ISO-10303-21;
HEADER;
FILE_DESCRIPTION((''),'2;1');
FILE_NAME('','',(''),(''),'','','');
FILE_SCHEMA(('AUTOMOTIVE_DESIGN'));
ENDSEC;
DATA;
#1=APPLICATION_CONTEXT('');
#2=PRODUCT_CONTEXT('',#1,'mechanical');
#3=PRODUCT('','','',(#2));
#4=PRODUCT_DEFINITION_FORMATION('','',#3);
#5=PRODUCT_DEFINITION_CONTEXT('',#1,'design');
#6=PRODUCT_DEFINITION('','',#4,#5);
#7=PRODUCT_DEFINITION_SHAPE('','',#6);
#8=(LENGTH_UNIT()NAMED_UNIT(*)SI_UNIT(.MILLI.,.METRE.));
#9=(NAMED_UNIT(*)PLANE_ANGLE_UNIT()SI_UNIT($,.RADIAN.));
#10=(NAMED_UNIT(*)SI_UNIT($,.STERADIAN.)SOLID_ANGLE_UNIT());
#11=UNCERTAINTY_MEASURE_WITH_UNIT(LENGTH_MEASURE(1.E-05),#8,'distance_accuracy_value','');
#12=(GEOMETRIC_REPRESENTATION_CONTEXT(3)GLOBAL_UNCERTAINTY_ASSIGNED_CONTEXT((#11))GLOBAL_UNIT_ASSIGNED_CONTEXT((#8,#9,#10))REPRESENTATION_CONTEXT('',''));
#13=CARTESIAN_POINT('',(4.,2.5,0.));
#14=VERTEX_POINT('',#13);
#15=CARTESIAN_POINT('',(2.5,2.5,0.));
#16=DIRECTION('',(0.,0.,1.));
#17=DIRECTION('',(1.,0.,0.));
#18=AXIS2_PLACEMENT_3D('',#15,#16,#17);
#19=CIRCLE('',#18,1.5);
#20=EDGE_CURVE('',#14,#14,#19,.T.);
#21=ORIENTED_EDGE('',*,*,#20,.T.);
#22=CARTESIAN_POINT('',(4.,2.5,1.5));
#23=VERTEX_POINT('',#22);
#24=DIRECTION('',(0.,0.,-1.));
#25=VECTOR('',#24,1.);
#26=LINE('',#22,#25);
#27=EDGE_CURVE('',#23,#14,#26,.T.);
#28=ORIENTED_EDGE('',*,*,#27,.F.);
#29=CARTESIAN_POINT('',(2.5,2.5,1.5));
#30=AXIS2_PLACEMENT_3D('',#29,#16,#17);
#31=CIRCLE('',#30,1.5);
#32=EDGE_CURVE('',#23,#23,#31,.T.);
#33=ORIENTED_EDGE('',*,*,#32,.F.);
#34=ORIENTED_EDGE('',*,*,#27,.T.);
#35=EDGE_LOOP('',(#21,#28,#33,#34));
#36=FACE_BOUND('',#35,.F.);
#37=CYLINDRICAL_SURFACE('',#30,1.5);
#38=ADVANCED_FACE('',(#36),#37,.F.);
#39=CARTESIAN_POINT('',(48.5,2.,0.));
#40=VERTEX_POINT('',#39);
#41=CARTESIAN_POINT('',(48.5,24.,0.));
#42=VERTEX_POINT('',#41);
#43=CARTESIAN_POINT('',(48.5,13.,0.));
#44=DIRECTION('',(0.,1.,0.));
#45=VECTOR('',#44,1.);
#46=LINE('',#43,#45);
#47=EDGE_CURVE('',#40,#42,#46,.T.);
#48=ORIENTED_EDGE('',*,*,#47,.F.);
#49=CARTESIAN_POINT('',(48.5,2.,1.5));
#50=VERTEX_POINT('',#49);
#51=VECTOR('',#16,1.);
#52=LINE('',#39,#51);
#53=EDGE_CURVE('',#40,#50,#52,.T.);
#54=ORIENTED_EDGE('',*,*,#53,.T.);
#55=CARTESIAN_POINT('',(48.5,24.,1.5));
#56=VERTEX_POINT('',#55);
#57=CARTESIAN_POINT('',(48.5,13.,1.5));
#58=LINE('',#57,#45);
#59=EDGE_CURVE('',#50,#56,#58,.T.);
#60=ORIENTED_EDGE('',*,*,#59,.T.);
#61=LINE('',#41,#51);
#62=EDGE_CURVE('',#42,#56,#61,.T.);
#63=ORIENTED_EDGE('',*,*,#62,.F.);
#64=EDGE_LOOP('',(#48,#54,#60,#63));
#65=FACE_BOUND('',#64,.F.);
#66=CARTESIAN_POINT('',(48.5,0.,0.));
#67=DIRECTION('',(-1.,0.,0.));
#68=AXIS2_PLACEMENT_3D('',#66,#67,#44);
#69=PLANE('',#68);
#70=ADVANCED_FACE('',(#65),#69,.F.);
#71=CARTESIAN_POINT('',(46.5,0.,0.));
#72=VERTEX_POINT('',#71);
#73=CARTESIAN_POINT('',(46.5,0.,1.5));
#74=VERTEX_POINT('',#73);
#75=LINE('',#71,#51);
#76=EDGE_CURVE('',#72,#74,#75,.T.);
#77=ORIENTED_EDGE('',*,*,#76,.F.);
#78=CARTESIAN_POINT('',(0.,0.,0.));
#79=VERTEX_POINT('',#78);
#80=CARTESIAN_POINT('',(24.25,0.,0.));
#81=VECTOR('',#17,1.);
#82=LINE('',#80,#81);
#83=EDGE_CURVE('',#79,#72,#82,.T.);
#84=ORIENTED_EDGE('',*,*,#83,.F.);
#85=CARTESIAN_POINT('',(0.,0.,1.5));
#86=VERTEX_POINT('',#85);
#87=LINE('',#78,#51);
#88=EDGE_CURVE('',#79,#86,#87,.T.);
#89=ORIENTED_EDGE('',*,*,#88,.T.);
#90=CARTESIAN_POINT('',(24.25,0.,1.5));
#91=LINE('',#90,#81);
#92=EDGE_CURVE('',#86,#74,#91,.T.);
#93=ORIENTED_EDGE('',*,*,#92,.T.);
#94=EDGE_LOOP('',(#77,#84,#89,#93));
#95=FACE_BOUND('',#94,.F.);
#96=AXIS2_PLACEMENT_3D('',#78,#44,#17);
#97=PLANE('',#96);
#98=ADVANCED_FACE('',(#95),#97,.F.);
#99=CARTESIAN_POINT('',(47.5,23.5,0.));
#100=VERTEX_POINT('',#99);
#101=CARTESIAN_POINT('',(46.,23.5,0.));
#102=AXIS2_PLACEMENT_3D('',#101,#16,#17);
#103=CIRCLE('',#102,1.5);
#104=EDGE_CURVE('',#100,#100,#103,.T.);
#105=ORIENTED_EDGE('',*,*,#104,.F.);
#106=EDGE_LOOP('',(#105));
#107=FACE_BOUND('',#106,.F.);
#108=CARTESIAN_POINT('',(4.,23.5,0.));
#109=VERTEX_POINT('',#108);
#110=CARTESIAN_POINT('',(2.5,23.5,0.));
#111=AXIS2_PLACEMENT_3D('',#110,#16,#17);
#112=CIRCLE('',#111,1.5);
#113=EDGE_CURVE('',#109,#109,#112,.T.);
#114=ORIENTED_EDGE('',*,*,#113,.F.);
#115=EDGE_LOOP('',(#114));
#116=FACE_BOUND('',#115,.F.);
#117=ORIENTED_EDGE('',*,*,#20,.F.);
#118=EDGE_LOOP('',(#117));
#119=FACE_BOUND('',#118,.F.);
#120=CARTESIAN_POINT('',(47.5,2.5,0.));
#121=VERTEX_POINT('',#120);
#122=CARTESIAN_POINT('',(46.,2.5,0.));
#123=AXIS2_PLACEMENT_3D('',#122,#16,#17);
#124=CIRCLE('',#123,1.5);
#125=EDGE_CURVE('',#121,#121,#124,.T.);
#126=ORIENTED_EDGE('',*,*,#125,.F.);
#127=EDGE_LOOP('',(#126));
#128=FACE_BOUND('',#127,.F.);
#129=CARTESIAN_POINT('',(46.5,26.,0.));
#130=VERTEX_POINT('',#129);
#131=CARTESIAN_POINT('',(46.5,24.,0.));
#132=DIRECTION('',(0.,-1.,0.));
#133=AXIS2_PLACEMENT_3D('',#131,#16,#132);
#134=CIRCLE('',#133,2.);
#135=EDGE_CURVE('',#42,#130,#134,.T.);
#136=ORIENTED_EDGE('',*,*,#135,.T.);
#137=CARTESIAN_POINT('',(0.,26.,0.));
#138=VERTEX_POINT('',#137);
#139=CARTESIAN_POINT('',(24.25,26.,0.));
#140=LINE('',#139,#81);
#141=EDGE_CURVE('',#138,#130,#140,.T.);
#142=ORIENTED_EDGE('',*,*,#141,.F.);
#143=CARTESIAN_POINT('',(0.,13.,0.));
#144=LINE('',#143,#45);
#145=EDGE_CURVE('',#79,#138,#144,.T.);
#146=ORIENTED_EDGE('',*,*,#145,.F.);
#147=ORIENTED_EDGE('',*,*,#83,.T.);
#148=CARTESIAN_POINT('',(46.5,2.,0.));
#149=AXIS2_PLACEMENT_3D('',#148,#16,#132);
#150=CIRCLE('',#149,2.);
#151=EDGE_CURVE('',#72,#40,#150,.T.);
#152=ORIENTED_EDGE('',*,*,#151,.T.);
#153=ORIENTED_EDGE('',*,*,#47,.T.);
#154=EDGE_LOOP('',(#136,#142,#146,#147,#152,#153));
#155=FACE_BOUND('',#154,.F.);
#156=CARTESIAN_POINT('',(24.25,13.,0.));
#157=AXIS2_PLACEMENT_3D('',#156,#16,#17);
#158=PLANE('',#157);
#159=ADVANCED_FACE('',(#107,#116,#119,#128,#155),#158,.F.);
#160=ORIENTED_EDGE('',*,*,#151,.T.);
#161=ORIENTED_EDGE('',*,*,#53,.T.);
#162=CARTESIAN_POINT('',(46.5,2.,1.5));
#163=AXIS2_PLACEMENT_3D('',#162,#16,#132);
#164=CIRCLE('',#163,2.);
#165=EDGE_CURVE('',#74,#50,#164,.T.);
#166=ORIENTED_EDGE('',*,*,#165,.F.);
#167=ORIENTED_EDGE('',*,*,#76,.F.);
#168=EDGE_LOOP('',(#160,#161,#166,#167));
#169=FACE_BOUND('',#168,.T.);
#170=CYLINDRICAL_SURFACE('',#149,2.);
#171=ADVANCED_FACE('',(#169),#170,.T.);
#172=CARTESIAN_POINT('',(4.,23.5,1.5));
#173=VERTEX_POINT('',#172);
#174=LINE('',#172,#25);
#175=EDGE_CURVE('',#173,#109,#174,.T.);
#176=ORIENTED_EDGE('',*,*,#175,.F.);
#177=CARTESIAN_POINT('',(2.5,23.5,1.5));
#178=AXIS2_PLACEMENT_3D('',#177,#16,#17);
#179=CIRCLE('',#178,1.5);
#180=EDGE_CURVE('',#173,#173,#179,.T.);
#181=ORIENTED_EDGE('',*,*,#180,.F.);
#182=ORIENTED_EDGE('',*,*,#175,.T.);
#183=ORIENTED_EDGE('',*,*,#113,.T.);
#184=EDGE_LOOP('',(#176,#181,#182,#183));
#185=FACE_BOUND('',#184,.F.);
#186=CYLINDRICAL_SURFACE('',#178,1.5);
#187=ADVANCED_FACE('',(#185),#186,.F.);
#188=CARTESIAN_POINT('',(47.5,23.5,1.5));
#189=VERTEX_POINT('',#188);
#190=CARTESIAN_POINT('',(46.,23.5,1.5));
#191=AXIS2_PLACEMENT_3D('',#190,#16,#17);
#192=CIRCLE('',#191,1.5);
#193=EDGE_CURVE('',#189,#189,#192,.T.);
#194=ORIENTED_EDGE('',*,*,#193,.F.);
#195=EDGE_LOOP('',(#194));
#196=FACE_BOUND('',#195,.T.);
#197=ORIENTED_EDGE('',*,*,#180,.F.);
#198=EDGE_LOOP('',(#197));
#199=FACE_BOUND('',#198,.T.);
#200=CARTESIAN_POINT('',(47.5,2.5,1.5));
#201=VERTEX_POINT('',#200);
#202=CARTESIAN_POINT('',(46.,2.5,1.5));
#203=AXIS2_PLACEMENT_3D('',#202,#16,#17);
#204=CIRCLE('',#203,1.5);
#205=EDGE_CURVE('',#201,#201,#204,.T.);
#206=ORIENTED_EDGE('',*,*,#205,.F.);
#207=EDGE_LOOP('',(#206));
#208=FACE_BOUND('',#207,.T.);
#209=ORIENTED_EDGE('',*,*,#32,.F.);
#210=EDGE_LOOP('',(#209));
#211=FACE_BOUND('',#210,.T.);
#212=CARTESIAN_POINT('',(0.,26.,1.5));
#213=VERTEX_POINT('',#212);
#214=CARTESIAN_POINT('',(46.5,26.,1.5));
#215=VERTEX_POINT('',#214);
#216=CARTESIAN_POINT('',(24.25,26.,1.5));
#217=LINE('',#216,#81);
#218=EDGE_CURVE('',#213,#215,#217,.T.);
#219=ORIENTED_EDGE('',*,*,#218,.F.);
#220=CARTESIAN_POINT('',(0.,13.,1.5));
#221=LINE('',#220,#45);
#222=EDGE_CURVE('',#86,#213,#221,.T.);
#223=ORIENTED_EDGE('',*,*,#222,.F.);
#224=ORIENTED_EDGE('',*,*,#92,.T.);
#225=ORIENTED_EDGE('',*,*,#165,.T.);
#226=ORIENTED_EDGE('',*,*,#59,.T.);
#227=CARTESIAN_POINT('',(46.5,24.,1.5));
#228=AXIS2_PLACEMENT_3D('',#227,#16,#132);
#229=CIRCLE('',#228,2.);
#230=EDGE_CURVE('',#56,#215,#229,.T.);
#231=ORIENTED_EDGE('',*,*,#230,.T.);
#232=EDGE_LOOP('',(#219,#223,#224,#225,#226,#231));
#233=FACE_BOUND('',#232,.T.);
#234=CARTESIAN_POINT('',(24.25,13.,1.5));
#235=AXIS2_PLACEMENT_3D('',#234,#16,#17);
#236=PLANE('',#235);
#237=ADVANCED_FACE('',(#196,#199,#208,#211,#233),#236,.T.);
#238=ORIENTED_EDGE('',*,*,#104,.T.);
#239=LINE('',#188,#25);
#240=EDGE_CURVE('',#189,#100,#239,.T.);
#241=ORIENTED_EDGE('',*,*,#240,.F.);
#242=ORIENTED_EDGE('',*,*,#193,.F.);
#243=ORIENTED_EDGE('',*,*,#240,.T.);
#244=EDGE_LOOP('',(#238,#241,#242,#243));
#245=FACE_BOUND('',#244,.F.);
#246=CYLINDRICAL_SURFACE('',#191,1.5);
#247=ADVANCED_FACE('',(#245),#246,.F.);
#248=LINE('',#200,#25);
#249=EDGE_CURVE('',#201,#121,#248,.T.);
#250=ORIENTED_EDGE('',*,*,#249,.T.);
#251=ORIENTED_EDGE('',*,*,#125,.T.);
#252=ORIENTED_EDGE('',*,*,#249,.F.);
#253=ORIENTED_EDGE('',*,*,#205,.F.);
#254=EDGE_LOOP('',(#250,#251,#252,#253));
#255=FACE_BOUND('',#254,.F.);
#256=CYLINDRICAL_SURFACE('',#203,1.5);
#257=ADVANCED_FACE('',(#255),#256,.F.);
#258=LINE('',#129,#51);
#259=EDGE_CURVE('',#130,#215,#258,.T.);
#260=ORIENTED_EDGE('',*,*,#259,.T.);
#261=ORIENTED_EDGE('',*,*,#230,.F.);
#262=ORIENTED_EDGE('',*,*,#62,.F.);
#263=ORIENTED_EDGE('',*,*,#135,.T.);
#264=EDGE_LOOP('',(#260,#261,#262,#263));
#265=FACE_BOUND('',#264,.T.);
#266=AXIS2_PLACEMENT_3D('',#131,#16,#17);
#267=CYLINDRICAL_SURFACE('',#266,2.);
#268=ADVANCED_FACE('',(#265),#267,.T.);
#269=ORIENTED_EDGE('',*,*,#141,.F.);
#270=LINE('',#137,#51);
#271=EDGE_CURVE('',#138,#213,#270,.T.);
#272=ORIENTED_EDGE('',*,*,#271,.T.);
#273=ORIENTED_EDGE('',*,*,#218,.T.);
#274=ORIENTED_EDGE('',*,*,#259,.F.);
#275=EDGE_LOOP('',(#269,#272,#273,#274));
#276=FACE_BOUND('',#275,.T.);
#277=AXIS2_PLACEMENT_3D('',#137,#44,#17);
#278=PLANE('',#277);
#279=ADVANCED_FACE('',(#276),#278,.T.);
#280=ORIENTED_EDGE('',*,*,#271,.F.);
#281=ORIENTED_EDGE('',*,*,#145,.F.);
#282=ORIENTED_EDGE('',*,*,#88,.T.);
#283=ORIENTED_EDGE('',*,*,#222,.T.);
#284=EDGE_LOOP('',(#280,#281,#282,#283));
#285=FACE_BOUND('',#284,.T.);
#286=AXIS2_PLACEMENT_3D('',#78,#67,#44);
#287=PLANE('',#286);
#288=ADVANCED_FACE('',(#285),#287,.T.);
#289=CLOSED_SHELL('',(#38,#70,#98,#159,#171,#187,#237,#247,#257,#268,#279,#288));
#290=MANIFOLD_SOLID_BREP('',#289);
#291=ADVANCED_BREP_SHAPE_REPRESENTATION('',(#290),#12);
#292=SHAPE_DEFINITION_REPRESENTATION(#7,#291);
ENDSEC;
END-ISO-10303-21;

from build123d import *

# Parameters (mm, degrees)
BOX_W        = 48.5
BOX_H        = 26
BOX_DEPTH    = 1.5
FILLET_R     = 2
SKETCH_R     = 1.5
POCKET_DEPTH = 5


with BuildPart() as part:
    # Box → Box (new body)
    with BuildSketch(Plane.XY):
        with Locations((24.25, 13)):
            Rectangle(BOX_W, BOX_H)
    extrude(amount=BOX_DEPTH)

    # Fillet
    fillet_edges = [part.edges().sort_by_distance(p)[0] for p in [
        (48.5, 0, 0.75),
        (48.5, 26, 0.75),
    ]]
    fillet(fillet_edges, radius=FILLET_R)

    # Sketch → Pocket (cut)
    with BuildSketch(Plane.XY.offset(1.5)):
        with Locations((2.5, 23.5)):
            Circle(SKETCH_R)
        with Locations((46, 23.5)):
            Circle(SKETCH_R)
        with Locations((46, 2.5)):
            Circle(SKETCH_R)
        with Locations((2.5, 2.5)):
            Circle(SKETCH_R)
    extrude(amount=-POCKET_DEPTH, mode=Mode.SUBTRACT)


solid = part.part
